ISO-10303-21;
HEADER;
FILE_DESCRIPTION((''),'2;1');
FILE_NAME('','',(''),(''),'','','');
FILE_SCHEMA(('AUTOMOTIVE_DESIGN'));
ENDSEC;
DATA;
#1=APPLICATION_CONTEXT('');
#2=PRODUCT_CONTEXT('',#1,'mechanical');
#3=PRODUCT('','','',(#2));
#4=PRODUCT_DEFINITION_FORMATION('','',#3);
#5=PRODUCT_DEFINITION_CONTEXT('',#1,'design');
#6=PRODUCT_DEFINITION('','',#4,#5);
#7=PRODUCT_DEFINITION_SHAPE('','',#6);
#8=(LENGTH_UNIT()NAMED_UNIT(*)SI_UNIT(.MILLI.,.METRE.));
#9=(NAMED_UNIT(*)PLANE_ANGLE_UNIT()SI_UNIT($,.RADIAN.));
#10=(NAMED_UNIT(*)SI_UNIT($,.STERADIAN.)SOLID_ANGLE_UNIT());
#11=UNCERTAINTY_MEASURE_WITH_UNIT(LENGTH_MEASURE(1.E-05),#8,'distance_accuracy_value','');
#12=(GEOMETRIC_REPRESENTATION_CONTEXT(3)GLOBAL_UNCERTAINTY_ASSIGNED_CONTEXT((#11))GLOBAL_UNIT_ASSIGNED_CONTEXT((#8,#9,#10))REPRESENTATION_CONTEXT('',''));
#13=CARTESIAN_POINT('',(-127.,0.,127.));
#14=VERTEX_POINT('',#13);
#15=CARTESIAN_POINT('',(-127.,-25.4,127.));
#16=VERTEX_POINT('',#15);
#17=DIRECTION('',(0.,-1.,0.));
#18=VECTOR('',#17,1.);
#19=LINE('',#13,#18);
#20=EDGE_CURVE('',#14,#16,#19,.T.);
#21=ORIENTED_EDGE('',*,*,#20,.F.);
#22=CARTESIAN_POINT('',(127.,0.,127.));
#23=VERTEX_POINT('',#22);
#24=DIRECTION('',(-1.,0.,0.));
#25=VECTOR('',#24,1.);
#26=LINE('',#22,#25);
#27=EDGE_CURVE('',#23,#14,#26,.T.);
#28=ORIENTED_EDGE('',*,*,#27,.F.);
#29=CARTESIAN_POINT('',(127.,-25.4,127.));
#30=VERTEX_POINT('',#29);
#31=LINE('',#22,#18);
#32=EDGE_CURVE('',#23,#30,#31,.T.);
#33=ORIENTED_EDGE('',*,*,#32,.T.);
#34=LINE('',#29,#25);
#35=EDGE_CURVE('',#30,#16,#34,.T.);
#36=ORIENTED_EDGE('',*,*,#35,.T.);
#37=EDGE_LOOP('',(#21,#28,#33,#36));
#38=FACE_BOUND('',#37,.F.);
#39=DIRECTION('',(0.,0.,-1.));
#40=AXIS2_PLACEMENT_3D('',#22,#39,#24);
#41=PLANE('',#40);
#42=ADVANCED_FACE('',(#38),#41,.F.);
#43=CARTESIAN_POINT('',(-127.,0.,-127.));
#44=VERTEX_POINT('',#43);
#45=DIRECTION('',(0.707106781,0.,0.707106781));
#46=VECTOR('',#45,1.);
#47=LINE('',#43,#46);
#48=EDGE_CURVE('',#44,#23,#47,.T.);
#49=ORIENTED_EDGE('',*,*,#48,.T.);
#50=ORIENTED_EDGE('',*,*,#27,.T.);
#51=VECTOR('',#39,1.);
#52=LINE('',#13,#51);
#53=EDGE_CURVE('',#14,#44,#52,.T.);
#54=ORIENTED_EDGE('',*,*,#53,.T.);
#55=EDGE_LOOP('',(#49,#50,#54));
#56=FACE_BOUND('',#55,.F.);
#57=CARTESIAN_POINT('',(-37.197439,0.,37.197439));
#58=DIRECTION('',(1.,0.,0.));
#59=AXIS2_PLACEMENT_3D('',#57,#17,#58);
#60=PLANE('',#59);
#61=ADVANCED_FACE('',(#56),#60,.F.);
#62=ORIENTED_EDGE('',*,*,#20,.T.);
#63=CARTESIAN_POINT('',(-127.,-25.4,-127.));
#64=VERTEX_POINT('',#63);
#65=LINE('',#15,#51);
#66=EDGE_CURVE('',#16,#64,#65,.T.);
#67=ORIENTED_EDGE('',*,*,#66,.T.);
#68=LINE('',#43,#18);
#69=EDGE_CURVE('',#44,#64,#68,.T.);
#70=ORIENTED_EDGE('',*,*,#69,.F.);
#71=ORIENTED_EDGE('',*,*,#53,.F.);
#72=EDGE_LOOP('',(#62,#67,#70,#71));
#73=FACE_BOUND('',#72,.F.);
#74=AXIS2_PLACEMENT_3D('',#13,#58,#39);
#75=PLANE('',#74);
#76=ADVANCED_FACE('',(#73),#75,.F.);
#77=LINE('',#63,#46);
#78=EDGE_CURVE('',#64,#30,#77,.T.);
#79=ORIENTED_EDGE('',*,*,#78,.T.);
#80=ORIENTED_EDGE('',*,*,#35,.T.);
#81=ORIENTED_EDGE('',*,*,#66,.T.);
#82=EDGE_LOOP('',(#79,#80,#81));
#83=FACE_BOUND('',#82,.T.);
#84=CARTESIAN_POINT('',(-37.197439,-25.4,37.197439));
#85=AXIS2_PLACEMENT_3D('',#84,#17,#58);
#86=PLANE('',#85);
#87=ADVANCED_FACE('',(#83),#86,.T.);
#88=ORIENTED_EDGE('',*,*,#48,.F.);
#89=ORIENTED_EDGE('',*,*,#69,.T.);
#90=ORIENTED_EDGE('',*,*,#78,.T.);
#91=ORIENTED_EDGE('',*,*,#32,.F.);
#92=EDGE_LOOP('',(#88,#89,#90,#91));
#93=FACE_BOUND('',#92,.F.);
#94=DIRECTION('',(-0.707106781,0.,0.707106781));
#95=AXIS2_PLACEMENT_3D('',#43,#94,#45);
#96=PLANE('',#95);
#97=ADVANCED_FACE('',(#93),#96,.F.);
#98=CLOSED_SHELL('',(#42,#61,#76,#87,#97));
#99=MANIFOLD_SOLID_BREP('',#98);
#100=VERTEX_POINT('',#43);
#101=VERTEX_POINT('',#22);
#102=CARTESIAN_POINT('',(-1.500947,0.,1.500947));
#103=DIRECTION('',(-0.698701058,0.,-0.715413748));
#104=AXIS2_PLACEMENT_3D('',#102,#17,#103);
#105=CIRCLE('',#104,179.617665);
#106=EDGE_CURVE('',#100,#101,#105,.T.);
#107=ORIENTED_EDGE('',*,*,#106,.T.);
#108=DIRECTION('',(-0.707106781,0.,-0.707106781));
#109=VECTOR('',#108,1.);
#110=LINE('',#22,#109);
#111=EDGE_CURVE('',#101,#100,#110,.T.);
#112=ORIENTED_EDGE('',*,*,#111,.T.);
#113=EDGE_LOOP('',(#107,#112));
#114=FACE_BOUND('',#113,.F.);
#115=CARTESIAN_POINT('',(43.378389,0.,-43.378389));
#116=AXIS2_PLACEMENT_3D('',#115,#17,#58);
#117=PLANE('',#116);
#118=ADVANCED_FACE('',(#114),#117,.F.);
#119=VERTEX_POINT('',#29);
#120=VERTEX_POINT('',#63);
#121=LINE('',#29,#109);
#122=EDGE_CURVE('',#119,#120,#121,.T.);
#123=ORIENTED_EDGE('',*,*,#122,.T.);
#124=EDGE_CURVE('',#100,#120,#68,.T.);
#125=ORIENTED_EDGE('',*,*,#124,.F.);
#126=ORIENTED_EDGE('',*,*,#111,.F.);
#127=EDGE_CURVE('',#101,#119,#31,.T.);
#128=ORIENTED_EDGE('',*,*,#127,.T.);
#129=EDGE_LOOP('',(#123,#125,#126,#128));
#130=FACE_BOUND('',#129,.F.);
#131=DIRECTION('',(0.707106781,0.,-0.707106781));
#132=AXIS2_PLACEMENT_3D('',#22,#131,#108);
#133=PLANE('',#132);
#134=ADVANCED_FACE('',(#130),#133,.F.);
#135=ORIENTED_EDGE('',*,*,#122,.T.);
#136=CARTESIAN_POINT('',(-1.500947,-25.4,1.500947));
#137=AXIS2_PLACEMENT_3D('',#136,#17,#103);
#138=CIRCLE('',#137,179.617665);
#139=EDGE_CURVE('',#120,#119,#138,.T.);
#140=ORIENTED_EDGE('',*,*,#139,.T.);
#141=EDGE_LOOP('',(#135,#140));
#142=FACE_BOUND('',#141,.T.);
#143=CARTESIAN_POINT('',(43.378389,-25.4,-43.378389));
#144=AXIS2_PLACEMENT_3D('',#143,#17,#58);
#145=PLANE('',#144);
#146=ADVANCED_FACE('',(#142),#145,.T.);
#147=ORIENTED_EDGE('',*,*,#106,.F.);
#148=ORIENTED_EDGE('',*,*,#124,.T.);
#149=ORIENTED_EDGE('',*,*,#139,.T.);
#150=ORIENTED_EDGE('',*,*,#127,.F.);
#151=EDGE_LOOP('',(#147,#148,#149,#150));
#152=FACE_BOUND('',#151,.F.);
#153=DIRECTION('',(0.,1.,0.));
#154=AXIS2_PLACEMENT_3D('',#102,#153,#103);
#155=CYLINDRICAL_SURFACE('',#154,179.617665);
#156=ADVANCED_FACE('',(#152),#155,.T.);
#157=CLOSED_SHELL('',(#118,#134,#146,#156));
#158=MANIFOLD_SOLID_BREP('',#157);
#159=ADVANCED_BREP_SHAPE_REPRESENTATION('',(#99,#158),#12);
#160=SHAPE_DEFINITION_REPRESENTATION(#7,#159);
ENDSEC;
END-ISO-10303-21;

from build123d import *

# Parameters (mm, degrees)
F1_DEPTH = 25.4
F2_DEPTH = 25.4


with BuildPart() as f1:
    # F0 (on Front) → F1 (new body)
    with BuildSketch(Plane.XZ):
        Polygon((127, 127), (-127, 127), (-127, -127), align=None)
    extrude(amount=F1_DEPTH)


with BuildPart() as f2:
    # F0 (on Front) → F2 (new body)
    with BuildSketch(Plane.XZ):
        with BuildLine():
            ThreePointArc((-127, -127), (125.507922, -125.507922), (127, 127))
            Line((127, 127), (-127, -127))
        make_face()
    extrude(amount=F2_DEPTH)


solid = Compound([f1.part, f2.part])
